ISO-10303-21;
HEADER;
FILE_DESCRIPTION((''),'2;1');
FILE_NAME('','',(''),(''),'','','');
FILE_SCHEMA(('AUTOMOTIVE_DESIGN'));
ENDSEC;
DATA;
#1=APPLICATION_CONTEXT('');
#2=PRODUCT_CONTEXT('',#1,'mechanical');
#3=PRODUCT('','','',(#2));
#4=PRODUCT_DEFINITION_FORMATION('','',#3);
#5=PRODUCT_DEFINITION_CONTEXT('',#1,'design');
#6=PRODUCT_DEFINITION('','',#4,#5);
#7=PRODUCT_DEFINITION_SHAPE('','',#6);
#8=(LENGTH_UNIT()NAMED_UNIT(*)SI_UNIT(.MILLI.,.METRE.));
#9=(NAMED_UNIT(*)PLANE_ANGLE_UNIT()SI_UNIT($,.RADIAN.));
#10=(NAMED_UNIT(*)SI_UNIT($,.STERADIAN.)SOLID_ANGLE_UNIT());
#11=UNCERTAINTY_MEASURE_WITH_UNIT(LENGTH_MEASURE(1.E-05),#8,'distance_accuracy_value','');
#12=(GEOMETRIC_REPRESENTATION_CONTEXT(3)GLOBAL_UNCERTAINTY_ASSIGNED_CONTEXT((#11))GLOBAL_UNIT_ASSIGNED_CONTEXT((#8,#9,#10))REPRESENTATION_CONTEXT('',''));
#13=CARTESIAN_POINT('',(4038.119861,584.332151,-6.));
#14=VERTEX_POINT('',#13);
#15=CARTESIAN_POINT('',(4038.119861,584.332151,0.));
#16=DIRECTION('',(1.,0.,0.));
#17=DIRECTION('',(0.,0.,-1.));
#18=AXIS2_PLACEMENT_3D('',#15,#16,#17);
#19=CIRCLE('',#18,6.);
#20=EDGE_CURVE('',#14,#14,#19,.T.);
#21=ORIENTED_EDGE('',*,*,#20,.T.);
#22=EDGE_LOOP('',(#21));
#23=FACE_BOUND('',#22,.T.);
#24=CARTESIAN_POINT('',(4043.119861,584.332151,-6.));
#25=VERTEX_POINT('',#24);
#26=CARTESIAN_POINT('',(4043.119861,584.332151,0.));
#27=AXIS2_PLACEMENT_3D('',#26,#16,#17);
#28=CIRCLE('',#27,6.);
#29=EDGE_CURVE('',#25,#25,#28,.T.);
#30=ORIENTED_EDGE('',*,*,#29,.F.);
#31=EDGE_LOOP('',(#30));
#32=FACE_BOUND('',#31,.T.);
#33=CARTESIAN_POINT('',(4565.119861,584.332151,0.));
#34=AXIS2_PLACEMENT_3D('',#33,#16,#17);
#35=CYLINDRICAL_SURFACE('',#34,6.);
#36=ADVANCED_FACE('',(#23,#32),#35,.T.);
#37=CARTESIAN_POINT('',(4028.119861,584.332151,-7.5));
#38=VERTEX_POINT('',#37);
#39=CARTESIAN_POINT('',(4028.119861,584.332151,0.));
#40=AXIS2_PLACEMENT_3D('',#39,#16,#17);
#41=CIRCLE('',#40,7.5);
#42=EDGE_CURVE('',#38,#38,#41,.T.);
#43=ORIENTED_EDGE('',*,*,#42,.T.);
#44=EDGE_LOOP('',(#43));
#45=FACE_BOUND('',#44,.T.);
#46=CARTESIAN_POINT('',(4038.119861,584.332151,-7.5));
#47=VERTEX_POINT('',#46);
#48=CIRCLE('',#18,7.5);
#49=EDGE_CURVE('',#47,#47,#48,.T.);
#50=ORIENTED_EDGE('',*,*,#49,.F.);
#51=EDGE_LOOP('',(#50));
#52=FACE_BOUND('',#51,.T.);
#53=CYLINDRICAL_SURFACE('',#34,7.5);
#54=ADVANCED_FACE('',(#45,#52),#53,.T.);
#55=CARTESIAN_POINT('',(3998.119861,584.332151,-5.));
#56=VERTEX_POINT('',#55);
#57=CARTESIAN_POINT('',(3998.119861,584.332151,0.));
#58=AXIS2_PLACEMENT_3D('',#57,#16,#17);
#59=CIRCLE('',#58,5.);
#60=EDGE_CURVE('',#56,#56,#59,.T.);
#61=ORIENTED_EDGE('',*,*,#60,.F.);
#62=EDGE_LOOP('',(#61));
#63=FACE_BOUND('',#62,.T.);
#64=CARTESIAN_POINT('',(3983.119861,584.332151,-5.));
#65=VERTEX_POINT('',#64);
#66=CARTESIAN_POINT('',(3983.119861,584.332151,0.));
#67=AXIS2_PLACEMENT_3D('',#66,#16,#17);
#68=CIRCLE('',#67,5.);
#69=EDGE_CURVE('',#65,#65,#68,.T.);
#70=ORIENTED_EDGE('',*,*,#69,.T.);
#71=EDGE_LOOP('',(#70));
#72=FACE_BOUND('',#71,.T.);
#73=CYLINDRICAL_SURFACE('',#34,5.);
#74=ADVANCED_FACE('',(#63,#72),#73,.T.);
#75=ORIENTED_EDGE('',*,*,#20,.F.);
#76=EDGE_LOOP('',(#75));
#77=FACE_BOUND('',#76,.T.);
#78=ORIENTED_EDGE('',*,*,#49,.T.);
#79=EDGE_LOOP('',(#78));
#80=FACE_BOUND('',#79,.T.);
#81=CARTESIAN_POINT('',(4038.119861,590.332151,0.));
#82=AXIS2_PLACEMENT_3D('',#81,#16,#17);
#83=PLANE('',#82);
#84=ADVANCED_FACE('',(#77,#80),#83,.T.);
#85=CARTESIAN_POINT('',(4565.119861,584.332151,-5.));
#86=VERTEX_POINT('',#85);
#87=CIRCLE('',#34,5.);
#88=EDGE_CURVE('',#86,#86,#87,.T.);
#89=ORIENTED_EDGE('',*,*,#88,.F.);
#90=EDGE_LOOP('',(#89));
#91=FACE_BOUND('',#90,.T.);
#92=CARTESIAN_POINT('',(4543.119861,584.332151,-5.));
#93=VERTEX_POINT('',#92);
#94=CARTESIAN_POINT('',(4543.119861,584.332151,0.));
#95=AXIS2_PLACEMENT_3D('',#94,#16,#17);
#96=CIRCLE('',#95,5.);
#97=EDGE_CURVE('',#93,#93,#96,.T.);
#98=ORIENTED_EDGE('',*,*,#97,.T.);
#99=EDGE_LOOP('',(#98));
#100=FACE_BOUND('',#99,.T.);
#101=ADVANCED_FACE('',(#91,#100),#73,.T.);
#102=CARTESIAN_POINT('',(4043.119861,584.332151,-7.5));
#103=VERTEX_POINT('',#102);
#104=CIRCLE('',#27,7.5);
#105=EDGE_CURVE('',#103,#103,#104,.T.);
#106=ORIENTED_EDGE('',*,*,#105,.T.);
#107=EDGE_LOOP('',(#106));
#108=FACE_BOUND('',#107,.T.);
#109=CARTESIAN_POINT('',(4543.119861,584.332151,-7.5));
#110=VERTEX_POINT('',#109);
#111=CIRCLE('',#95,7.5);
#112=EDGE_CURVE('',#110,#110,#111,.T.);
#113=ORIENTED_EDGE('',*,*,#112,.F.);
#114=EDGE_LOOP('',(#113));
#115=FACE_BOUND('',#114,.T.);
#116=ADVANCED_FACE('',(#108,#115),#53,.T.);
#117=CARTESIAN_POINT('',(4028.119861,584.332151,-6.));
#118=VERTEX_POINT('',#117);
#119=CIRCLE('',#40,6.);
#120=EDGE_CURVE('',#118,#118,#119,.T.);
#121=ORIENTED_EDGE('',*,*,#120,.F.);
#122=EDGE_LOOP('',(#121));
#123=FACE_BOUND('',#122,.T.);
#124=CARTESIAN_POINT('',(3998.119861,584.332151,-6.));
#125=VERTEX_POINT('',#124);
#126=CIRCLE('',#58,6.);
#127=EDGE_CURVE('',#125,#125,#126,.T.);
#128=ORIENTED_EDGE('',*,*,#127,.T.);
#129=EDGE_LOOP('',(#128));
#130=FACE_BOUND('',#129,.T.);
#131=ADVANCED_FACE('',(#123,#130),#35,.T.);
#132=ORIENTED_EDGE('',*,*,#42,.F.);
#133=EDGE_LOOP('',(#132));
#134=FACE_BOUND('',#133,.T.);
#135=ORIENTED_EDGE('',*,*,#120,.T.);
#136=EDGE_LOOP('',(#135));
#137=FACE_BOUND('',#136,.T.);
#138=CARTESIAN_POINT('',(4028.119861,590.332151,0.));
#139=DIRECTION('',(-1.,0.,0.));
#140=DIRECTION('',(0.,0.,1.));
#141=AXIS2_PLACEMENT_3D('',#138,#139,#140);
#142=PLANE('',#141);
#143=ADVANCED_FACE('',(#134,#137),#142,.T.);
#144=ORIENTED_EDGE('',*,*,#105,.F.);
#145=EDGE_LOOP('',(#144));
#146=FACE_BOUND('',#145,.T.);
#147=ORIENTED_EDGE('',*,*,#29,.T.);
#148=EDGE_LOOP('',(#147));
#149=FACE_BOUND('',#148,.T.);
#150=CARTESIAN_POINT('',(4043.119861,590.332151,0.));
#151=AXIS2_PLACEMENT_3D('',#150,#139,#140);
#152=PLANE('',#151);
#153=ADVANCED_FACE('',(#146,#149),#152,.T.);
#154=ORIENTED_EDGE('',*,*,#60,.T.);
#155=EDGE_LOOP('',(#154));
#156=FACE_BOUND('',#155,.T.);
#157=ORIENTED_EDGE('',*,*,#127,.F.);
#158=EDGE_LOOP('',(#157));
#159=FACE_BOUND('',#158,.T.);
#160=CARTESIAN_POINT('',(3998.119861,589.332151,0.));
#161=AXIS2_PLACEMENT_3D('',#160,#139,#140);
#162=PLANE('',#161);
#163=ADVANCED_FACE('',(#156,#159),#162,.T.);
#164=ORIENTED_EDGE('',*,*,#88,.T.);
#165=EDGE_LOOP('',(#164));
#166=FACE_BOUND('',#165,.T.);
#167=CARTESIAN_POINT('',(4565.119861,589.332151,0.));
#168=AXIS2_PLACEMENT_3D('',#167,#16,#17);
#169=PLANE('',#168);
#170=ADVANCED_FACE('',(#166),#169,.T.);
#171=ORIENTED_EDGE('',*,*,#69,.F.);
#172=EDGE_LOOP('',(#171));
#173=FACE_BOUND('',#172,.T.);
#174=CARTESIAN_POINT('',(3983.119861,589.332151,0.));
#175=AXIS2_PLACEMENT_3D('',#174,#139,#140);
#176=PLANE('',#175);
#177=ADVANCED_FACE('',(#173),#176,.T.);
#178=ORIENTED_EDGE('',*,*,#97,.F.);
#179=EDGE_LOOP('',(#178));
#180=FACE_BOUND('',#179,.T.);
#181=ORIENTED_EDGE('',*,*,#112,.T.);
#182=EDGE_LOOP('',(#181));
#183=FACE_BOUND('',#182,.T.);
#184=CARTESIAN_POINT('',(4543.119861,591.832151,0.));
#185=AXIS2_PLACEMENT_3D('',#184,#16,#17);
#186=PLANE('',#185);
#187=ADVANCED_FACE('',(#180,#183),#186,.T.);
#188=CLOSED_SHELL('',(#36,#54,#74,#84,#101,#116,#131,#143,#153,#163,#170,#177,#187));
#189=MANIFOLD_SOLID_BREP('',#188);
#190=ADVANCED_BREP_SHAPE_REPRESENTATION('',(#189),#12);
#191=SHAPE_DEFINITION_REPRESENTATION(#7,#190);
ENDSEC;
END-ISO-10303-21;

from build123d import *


with BuildPart() as part:
    # 草图2 → 旋转1 (revolve)
    with BuildSketch(Plane.XY, mode=Mode.PRIVATE) as revolve_1_sk:
        Polygon((3983.119860872, 589.332150707), (3998.119860872, 589.332150707), (3998.119860872, 590.332150707), (4028.119860872, 590.332150707), (4028.119860872, 591.832150707), (4038.119860872, 591.832150707), (4038.119860872, 590.332150707), (4043.119860872, 590.332150707), (4043.119860872, 591.832150707), (4543.119860872, 591.832150707), (4543.119860872, 589.332150707), (4565.119860872, 589.332150707), (4565.119860872, 584.332150707), (3983.119860872, 584.332150707), align=None)
    revolve(revolve_1_sk.sketch.rotate(Axis((4565.119860872, 584.332150707, 0), (-1, 0, 0)), 90), axis=Axis((4565.119860872, 584.332150707, 0), (-1, 0, 0)))


solid = part.part
